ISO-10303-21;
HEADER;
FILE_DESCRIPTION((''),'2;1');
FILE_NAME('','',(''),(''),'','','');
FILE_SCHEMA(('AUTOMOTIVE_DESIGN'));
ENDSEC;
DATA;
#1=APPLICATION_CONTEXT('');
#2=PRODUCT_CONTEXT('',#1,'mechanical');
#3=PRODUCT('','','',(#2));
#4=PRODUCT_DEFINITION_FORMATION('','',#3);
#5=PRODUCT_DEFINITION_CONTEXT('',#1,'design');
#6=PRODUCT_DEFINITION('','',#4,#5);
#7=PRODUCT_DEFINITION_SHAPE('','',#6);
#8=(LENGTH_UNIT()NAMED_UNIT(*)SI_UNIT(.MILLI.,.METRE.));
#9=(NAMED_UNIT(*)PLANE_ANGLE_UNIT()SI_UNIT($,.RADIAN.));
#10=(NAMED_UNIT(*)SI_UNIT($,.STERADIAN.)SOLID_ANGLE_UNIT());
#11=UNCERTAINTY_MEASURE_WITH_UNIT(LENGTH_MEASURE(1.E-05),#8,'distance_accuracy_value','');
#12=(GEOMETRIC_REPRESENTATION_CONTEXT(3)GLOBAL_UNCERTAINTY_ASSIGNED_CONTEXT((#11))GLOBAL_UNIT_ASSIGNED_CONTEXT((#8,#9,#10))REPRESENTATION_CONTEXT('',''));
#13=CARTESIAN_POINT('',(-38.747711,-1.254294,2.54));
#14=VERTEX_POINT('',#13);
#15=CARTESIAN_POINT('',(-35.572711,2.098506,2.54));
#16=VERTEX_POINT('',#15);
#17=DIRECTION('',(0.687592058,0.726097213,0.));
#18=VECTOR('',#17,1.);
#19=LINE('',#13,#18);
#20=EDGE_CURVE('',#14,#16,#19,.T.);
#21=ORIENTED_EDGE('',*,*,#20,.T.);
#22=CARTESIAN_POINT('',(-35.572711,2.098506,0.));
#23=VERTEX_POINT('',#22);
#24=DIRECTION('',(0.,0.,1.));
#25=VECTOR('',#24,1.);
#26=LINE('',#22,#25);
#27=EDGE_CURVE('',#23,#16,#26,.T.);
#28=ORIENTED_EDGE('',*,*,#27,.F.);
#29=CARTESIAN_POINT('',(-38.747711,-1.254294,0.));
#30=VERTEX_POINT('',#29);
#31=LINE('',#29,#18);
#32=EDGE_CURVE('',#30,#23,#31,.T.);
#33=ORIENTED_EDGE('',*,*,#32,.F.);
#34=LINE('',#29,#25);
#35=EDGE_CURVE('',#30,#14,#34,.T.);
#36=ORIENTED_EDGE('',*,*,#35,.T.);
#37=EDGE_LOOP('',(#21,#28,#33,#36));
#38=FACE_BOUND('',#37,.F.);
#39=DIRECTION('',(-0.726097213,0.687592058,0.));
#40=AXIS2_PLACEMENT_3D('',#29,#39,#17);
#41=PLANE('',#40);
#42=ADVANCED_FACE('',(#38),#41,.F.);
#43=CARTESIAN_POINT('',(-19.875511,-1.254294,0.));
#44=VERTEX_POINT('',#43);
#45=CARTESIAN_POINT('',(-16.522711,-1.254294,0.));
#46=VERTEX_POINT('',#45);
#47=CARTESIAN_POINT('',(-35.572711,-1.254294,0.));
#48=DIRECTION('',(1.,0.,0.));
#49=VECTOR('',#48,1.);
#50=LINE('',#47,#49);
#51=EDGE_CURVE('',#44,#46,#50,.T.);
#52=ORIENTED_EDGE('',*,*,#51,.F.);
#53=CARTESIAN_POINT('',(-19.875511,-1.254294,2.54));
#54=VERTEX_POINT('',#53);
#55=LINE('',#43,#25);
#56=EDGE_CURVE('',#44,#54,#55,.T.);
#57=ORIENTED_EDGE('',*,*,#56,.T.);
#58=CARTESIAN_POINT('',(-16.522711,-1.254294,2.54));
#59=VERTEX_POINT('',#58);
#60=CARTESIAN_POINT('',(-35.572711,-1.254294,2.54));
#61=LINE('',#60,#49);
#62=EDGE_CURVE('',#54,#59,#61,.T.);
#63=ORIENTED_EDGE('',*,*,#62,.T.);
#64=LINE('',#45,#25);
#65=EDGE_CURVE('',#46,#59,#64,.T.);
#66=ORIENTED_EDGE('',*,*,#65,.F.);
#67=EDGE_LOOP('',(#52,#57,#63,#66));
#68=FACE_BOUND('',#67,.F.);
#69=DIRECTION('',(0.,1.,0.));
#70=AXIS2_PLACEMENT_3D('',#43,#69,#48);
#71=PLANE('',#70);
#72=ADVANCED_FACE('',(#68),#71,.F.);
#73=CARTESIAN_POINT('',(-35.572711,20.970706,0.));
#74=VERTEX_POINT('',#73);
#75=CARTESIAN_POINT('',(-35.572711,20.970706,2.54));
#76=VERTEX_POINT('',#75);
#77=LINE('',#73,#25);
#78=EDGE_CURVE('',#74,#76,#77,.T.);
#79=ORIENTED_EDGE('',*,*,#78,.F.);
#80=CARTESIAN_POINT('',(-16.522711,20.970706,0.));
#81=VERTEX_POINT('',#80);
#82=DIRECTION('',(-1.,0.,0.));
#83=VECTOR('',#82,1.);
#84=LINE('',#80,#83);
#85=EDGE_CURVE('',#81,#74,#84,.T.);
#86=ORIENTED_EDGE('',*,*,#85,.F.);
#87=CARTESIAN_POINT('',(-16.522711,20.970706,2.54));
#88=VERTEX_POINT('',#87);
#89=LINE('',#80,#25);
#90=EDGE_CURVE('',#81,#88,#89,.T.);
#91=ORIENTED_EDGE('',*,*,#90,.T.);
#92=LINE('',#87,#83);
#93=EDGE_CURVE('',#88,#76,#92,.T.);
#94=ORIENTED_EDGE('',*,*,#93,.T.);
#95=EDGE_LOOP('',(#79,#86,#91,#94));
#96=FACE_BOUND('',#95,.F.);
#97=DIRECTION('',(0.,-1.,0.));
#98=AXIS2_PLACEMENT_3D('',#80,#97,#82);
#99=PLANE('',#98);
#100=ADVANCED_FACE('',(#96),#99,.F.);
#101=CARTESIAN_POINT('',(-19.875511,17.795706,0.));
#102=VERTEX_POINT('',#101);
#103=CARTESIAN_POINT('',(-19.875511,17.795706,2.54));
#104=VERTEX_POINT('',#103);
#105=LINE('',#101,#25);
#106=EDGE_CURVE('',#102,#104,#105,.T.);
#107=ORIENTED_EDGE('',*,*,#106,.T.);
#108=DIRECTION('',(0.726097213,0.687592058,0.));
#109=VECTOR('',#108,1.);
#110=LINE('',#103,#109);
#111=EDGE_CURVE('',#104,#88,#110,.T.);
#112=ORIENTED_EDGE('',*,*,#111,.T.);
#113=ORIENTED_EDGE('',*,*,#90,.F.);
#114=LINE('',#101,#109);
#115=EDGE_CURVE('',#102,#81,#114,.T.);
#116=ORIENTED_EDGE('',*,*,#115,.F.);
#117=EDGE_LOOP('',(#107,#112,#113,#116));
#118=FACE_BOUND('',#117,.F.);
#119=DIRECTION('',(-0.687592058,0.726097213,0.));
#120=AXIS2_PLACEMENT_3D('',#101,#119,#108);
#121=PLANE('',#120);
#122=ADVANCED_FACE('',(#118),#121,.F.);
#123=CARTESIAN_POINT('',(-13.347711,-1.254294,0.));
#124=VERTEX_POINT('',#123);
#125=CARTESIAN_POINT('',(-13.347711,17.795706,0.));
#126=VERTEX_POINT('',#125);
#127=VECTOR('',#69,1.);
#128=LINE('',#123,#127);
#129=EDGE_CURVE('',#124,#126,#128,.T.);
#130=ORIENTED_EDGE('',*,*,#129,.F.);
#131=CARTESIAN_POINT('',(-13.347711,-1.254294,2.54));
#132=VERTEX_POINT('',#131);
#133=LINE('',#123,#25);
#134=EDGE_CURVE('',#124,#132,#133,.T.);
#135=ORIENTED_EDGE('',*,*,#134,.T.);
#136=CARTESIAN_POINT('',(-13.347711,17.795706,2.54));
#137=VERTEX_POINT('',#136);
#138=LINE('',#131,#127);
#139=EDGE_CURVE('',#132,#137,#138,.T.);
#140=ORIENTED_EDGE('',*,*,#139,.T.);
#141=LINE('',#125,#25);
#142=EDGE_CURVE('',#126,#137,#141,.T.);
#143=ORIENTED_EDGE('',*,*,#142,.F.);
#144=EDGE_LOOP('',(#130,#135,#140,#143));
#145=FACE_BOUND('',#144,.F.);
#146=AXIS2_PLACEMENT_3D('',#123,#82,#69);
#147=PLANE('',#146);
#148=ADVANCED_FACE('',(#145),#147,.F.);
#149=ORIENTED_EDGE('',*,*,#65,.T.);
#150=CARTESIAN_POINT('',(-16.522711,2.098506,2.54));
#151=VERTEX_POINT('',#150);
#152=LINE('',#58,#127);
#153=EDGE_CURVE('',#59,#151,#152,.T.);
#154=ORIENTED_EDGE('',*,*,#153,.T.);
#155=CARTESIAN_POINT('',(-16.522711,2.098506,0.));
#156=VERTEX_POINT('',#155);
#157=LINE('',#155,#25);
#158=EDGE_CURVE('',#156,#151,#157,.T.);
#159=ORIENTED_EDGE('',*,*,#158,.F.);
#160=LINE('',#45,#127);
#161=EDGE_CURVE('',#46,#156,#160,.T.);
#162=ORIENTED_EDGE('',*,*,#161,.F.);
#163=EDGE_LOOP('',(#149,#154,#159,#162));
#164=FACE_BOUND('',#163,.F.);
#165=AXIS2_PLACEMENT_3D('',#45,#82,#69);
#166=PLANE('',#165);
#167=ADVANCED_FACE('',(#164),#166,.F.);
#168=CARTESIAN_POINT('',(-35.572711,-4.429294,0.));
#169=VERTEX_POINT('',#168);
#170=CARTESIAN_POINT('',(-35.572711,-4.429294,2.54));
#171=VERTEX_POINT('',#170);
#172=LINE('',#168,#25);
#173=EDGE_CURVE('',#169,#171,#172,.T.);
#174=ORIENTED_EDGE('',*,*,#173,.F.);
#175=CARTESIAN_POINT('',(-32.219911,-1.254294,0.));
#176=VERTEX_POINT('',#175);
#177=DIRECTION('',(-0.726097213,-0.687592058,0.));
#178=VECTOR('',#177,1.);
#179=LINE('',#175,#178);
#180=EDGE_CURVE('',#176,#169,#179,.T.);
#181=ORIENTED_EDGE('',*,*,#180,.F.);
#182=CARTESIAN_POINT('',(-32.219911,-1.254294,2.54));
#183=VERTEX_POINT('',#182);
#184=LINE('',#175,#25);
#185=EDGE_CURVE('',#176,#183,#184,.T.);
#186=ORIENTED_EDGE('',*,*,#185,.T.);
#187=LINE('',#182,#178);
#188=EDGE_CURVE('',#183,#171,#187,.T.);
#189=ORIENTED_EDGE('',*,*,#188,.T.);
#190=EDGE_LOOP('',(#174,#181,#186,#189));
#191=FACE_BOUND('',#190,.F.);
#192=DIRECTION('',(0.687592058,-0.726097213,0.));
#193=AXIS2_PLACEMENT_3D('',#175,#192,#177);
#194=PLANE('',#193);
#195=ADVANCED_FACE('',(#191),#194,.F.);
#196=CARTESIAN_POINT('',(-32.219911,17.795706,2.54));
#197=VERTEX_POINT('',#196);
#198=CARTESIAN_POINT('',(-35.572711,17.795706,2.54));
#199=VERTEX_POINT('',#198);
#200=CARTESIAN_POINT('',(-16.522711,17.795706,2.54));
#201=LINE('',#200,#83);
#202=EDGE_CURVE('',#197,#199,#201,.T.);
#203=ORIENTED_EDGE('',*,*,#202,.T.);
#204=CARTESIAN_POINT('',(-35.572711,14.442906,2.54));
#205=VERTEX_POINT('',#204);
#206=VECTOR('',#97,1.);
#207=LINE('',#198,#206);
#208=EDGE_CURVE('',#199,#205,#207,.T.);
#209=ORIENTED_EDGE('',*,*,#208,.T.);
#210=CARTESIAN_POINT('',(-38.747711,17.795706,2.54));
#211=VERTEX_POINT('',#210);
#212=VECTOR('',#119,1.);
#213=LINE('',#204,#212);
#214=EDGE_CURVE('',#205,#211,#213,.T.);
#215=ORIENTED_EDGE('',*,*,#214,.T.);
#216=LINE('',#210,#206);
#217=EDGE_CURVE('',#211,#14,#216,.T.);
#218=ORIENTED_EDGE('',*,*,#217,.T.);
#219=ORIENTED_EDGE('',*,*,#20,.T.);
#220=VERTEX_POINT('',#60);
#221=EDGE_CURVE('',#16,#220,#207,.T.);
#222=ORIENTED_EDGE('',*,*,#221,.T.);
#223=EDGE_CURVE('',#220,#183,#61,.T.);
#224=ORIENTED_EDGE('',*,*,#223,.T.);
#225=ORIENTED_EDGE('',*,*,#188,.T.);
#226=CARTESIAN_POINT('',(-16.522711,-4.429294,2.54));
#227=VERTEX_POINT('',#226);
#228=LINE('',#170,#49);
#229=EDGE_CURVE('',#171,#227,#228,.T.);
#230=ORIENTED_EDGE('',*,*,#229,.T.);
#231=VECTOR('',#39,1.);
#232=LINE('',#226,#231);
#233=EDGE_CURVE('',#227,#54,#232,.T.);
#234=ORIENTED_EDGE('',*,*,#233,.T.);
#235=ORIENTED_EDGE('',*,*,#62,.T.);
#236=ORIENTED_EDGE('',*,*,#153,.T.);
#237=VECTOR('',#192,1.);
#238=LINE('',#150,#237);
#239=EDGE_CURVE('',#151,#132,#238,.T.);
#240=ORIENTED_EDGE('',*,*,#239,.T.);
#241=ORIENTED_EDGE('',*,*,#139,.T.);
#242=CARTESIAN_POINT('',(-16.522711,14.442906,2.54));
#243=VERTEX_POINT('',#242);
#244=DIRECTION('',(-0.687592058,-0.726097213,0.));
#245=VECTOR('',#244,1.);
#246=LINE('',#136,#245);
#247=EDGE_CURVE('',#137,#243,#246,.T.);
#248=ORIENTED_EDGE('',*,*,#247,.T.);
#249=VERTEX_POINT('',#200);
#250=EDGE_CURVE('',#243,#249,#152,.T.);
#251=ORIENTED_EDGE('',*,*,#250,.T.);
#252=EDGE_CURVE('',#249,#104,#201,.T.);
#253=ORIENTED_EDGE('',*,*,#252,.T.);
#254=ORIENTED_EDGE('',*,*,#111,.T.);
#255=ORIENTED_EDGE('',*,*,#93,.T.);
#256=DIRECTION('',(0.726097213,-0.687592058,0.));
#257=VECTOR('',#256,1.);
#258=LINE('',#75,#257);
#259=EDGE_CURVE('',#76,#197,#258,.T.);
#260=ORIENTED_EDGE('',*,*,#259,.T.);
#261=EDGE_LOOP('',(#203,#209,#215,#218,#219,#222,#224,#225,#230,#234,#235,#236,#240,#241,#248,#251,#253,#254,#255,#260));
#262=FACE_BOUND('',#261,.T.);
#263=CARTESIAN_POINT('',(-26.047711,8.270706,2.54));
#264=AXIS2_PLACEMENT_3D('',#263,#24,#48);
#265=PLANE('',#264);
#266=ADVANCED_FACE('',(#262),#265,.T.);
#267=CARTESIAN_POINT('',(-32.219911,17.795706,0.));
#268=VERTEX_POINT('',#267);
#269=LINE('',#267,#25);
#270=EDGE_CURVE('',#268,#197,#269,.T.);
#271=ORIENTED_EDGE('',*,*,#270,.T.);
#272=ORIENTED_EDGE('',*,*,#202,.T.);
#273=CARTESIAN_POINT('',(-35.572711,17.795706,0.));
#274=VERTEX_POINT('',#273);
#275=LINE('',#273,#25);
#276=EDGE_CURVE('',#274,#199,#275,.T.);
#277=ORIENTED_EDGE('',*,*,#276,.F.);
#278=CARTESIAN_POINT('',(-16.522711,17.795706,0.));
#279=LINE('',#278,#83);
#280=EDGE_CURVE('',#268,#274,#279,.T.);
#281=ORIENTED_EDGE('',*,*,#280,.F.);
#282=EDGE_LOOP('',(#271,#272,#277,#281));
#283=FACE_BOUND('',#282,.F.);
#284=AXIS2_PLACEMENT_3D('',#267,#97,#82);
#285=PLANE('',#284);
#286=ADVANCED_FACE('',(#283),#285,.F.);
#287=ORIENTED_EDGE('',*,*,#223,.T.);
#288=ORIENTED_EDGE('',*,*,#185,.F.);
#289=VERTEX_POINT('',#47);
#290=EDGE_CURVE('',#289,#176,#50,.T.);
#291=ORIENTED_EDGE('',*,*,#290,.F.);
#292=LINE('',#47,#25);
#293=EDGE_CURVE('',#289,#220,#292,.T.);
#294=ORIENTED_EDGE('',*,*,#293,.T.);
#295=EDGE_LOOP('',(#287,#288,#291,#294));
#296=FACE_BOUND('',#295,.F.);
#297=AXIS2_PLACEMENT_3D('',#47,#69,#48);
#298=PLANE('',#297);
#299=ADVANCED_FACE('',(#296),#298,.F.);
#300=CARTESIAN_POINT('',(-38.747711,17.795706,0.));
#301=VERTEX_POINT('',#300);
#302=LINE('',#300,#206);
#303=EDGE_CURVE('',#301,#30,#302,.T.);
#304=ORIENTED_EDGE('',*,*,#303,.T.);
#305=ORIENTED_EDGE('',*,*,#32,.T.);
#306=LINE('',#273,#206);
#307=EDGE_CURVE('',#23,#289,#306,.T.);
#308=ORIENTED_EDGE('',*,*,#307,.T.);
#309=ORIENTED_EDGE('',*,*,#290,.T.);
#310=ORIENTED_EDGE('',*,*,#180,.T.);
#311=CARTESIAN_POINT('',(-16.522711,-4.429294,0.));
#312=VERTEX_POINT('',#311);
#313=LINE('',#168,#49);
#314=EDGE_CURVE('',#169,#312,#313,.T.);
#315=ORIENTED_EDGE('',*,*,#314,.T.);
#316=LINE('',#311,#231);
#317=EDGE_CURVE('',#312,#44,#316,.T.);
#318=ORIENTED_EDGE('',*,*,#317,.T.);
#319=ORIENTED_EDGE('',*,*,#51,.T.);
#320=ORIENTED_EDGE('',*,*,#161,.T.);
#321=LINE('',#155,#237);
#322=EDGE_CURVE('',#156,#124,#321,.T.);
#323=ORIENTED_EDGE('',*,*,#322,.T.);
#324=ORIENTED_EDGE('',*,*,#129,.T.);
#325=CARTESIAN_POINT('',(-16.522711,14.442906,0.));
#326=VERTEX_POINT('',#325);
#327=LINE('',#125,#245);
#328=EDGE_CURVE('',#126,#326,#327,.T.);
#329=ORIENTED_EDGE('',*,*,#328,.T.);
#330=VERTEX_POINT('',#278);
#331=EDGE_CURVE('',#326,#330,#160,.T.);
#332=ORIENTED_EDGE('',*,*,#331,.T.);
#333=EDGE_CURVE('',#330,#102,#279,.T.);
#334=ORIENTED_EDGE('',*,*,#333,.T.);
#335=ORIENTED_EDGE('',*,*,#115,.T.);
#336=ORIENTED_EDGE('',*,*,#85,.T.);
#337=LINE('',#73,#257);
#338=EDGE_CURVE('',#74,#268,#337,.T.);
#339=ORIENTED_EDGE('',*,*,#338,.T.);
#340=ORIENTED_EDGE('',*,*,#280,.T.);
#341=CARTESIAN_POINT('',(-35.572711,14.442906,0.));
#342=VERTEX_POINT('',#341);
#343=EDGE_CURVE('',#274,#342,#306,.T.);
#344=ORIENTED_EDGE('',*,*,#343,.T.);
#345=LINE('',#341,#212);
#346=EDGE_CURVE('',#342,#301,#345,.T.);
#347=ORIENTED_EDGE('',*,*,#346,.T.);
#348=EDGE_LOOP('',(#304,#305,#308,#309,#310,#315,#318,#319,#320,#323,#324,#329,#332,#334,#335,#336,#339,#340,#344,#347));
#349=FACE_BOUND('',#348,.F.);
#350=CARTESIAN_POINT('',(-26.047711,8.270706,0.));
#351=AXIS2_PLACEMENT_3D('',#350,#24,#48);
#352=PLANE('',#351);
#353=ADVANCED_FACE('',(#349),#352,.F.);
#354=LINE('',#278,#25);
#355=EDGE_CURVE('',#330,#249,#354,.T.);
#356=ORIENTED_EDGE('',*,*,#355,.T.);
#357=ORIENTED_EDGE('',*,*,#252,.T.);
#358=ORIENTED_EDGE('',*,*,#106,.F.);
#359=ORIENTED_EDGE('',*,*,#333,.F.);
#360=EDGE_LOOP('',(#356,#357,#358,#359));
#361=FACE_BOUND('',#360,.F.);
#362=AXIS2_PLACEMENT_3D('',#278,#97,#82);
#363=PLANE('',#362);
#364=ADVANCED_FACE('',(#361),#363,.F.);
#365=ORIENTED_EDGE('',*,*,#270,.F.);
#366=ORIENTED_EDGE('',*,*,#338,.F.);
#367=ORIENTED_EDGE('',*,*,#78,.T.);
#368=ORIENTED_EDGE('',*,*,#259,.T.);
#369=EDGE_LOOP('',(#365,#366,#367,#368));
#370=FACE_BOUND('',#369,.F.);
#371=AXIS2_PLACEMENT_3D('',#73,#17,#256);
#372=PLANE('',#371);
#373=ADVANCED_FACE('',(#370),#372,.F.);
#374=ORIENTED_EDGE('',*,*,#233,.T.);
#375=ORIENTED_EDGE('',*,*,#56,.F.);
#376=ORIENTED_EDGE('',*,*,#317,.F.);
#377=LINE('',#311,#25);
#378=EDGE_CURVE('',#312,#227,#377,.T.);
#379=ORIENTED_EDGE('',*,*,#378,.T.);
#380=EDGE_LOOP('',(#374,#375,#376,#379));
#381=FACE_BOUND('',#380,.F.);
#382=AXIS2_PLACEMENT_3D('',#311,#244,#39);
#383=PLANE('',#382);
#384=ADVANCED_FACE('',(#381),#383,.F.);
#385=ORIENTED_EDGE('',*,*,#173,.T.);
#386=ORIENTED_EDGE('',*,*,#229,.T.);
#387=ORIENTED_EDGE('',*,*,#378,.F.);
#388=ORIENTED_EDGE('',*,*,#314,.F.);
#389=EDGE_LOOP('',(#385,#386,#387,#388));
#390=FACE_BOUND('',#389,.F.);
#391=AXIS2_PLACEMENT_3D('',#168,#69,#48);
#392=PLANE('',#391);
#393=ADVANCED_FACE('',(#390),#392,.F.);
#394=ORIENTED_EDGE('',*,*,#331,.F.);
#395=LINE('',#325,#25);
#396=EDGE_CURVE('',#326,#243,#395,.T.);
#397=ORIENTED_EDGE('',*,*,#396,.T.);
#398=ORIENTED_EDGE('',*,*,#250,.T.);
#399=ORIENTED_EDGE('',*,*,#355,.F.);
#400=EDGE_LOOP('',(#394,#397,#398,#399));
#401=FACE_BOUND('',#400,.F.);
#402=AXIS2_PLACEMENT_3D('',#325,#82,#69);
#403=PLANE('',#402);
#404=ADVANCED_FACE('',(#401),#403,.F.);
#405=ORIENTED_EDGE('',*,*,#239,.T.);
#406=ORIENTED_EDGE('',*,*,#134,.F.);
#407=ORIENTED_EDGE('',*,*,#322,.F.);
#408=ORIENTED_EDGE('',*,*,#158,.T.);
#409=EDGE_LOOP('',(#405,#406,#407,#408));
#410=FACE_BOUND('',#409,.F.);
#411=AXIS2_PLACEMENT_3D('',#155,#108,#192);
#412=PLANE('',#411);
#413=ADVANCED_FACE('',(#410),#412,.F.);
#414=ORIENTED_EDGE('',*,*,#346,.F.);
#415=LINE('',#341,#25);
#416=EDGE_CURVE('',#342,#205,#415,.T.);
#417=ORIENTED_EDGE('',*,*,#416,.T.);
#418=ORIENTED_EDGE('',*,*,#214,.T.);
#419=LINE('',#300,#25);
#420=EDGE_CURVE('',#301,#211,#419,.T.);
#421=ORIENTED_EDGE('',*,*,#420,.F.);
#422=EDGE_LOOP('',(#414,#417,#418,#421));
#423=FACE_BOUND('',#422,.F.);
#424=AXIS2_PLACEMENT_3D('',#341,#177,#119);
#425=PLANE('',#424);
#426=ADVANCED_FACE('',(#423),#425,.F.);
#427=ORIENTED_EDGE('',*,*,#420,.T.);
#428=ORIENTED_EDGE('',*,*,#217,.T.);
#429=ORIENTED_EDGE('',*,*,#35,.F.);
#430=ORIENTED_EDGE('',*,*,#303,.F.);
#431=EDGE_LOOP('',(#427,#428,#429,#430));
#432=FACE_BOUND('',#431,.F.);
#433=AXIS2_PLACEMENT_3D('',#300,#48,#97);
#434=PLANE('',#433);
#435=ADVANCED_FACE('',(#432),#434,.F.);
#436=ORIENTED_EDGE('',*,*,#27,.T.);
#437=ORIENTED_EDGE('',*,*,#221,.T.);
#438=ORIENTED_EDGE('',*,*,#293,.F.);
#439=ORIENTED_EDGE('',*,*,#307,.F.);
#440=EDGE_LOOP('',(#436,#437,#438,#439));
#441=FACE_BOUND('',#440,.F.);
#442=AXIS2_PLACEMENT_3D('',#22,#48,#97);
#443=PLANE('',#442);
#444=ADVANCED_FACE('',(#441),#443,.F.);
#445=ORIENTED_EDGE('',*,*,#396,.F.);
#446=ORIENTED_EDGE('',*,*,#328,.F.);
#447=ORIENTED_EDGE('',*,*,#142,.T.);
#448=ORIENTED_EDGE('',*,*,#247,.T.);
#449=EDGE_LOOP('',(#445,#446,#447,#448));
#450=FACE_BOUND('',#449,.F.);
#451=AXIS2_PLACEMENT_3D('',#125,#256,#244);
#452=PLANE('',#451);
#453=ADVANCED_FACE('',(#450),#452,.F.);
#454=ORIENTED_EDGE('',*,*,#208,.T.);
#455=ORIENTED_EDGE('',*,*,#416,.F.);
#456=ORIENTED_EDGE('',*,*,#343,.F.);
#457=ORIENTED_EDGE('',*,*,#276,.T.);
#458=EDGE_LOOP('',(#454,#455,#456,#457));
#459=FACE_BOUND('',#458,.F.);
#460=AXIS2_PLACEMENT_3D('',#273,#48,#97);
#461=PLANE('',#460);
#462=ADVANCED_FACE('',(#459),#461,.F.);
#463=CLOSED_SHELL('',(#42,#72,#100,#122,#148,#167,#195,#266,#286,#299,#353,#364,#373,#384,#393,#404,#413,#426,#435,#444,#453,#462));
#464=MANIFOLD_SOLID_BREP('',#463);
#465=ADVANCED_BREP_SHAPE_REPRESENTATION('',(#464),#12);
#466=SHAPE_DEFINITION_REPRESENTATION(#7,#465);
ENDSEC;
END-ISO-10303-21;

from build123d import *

# Parameters (mm, degrees)
F1_DEPTH = 2.54


with BuildPart() as f1:
    # F0 (on Top) → F1 (new body)
    with BuildSketch(Plane.XY):
        Polygon((-32.219911, 17.795706), (-35.572711, 17.795706), (-35.572711, 14.442906), (-35.572711, 2.098506), (-35.572711, -1.254294), (-32.219911, -1.254294), (-19.875511, -1.254294), (-16.522711, -1.254294), (-16.522711, 2.098506), (-16.522711, 14.442906), (-16.522711, 17.795706), (-19.875511, 17.795706), align=None)
        Polygon((-35.572711, 20.970706), (-32.219911, 17.795706), (-19.875511, 17.795706), (-16.522711, 20.970706), align=None)
        Polygon((-35.572711, 2.098506), (-35.572711, 14.442906), (-38.747711, 17.795706), (-38.747711, -1.254294), align=None)
        Polygon((-13.347711, 17.795706), (-16.522711, 14.442906), (-16.522711, 2.098506), (-13.347711, -1.254294), align=None)
        Polygon((-19.875511, -1.254294), (-32.219911, -1.254294), (-35.572711, -4.429294), (-16.522711, -4.429294), align=None)
    extrude(amount=F1_DEPTH)


solid = f1.part
